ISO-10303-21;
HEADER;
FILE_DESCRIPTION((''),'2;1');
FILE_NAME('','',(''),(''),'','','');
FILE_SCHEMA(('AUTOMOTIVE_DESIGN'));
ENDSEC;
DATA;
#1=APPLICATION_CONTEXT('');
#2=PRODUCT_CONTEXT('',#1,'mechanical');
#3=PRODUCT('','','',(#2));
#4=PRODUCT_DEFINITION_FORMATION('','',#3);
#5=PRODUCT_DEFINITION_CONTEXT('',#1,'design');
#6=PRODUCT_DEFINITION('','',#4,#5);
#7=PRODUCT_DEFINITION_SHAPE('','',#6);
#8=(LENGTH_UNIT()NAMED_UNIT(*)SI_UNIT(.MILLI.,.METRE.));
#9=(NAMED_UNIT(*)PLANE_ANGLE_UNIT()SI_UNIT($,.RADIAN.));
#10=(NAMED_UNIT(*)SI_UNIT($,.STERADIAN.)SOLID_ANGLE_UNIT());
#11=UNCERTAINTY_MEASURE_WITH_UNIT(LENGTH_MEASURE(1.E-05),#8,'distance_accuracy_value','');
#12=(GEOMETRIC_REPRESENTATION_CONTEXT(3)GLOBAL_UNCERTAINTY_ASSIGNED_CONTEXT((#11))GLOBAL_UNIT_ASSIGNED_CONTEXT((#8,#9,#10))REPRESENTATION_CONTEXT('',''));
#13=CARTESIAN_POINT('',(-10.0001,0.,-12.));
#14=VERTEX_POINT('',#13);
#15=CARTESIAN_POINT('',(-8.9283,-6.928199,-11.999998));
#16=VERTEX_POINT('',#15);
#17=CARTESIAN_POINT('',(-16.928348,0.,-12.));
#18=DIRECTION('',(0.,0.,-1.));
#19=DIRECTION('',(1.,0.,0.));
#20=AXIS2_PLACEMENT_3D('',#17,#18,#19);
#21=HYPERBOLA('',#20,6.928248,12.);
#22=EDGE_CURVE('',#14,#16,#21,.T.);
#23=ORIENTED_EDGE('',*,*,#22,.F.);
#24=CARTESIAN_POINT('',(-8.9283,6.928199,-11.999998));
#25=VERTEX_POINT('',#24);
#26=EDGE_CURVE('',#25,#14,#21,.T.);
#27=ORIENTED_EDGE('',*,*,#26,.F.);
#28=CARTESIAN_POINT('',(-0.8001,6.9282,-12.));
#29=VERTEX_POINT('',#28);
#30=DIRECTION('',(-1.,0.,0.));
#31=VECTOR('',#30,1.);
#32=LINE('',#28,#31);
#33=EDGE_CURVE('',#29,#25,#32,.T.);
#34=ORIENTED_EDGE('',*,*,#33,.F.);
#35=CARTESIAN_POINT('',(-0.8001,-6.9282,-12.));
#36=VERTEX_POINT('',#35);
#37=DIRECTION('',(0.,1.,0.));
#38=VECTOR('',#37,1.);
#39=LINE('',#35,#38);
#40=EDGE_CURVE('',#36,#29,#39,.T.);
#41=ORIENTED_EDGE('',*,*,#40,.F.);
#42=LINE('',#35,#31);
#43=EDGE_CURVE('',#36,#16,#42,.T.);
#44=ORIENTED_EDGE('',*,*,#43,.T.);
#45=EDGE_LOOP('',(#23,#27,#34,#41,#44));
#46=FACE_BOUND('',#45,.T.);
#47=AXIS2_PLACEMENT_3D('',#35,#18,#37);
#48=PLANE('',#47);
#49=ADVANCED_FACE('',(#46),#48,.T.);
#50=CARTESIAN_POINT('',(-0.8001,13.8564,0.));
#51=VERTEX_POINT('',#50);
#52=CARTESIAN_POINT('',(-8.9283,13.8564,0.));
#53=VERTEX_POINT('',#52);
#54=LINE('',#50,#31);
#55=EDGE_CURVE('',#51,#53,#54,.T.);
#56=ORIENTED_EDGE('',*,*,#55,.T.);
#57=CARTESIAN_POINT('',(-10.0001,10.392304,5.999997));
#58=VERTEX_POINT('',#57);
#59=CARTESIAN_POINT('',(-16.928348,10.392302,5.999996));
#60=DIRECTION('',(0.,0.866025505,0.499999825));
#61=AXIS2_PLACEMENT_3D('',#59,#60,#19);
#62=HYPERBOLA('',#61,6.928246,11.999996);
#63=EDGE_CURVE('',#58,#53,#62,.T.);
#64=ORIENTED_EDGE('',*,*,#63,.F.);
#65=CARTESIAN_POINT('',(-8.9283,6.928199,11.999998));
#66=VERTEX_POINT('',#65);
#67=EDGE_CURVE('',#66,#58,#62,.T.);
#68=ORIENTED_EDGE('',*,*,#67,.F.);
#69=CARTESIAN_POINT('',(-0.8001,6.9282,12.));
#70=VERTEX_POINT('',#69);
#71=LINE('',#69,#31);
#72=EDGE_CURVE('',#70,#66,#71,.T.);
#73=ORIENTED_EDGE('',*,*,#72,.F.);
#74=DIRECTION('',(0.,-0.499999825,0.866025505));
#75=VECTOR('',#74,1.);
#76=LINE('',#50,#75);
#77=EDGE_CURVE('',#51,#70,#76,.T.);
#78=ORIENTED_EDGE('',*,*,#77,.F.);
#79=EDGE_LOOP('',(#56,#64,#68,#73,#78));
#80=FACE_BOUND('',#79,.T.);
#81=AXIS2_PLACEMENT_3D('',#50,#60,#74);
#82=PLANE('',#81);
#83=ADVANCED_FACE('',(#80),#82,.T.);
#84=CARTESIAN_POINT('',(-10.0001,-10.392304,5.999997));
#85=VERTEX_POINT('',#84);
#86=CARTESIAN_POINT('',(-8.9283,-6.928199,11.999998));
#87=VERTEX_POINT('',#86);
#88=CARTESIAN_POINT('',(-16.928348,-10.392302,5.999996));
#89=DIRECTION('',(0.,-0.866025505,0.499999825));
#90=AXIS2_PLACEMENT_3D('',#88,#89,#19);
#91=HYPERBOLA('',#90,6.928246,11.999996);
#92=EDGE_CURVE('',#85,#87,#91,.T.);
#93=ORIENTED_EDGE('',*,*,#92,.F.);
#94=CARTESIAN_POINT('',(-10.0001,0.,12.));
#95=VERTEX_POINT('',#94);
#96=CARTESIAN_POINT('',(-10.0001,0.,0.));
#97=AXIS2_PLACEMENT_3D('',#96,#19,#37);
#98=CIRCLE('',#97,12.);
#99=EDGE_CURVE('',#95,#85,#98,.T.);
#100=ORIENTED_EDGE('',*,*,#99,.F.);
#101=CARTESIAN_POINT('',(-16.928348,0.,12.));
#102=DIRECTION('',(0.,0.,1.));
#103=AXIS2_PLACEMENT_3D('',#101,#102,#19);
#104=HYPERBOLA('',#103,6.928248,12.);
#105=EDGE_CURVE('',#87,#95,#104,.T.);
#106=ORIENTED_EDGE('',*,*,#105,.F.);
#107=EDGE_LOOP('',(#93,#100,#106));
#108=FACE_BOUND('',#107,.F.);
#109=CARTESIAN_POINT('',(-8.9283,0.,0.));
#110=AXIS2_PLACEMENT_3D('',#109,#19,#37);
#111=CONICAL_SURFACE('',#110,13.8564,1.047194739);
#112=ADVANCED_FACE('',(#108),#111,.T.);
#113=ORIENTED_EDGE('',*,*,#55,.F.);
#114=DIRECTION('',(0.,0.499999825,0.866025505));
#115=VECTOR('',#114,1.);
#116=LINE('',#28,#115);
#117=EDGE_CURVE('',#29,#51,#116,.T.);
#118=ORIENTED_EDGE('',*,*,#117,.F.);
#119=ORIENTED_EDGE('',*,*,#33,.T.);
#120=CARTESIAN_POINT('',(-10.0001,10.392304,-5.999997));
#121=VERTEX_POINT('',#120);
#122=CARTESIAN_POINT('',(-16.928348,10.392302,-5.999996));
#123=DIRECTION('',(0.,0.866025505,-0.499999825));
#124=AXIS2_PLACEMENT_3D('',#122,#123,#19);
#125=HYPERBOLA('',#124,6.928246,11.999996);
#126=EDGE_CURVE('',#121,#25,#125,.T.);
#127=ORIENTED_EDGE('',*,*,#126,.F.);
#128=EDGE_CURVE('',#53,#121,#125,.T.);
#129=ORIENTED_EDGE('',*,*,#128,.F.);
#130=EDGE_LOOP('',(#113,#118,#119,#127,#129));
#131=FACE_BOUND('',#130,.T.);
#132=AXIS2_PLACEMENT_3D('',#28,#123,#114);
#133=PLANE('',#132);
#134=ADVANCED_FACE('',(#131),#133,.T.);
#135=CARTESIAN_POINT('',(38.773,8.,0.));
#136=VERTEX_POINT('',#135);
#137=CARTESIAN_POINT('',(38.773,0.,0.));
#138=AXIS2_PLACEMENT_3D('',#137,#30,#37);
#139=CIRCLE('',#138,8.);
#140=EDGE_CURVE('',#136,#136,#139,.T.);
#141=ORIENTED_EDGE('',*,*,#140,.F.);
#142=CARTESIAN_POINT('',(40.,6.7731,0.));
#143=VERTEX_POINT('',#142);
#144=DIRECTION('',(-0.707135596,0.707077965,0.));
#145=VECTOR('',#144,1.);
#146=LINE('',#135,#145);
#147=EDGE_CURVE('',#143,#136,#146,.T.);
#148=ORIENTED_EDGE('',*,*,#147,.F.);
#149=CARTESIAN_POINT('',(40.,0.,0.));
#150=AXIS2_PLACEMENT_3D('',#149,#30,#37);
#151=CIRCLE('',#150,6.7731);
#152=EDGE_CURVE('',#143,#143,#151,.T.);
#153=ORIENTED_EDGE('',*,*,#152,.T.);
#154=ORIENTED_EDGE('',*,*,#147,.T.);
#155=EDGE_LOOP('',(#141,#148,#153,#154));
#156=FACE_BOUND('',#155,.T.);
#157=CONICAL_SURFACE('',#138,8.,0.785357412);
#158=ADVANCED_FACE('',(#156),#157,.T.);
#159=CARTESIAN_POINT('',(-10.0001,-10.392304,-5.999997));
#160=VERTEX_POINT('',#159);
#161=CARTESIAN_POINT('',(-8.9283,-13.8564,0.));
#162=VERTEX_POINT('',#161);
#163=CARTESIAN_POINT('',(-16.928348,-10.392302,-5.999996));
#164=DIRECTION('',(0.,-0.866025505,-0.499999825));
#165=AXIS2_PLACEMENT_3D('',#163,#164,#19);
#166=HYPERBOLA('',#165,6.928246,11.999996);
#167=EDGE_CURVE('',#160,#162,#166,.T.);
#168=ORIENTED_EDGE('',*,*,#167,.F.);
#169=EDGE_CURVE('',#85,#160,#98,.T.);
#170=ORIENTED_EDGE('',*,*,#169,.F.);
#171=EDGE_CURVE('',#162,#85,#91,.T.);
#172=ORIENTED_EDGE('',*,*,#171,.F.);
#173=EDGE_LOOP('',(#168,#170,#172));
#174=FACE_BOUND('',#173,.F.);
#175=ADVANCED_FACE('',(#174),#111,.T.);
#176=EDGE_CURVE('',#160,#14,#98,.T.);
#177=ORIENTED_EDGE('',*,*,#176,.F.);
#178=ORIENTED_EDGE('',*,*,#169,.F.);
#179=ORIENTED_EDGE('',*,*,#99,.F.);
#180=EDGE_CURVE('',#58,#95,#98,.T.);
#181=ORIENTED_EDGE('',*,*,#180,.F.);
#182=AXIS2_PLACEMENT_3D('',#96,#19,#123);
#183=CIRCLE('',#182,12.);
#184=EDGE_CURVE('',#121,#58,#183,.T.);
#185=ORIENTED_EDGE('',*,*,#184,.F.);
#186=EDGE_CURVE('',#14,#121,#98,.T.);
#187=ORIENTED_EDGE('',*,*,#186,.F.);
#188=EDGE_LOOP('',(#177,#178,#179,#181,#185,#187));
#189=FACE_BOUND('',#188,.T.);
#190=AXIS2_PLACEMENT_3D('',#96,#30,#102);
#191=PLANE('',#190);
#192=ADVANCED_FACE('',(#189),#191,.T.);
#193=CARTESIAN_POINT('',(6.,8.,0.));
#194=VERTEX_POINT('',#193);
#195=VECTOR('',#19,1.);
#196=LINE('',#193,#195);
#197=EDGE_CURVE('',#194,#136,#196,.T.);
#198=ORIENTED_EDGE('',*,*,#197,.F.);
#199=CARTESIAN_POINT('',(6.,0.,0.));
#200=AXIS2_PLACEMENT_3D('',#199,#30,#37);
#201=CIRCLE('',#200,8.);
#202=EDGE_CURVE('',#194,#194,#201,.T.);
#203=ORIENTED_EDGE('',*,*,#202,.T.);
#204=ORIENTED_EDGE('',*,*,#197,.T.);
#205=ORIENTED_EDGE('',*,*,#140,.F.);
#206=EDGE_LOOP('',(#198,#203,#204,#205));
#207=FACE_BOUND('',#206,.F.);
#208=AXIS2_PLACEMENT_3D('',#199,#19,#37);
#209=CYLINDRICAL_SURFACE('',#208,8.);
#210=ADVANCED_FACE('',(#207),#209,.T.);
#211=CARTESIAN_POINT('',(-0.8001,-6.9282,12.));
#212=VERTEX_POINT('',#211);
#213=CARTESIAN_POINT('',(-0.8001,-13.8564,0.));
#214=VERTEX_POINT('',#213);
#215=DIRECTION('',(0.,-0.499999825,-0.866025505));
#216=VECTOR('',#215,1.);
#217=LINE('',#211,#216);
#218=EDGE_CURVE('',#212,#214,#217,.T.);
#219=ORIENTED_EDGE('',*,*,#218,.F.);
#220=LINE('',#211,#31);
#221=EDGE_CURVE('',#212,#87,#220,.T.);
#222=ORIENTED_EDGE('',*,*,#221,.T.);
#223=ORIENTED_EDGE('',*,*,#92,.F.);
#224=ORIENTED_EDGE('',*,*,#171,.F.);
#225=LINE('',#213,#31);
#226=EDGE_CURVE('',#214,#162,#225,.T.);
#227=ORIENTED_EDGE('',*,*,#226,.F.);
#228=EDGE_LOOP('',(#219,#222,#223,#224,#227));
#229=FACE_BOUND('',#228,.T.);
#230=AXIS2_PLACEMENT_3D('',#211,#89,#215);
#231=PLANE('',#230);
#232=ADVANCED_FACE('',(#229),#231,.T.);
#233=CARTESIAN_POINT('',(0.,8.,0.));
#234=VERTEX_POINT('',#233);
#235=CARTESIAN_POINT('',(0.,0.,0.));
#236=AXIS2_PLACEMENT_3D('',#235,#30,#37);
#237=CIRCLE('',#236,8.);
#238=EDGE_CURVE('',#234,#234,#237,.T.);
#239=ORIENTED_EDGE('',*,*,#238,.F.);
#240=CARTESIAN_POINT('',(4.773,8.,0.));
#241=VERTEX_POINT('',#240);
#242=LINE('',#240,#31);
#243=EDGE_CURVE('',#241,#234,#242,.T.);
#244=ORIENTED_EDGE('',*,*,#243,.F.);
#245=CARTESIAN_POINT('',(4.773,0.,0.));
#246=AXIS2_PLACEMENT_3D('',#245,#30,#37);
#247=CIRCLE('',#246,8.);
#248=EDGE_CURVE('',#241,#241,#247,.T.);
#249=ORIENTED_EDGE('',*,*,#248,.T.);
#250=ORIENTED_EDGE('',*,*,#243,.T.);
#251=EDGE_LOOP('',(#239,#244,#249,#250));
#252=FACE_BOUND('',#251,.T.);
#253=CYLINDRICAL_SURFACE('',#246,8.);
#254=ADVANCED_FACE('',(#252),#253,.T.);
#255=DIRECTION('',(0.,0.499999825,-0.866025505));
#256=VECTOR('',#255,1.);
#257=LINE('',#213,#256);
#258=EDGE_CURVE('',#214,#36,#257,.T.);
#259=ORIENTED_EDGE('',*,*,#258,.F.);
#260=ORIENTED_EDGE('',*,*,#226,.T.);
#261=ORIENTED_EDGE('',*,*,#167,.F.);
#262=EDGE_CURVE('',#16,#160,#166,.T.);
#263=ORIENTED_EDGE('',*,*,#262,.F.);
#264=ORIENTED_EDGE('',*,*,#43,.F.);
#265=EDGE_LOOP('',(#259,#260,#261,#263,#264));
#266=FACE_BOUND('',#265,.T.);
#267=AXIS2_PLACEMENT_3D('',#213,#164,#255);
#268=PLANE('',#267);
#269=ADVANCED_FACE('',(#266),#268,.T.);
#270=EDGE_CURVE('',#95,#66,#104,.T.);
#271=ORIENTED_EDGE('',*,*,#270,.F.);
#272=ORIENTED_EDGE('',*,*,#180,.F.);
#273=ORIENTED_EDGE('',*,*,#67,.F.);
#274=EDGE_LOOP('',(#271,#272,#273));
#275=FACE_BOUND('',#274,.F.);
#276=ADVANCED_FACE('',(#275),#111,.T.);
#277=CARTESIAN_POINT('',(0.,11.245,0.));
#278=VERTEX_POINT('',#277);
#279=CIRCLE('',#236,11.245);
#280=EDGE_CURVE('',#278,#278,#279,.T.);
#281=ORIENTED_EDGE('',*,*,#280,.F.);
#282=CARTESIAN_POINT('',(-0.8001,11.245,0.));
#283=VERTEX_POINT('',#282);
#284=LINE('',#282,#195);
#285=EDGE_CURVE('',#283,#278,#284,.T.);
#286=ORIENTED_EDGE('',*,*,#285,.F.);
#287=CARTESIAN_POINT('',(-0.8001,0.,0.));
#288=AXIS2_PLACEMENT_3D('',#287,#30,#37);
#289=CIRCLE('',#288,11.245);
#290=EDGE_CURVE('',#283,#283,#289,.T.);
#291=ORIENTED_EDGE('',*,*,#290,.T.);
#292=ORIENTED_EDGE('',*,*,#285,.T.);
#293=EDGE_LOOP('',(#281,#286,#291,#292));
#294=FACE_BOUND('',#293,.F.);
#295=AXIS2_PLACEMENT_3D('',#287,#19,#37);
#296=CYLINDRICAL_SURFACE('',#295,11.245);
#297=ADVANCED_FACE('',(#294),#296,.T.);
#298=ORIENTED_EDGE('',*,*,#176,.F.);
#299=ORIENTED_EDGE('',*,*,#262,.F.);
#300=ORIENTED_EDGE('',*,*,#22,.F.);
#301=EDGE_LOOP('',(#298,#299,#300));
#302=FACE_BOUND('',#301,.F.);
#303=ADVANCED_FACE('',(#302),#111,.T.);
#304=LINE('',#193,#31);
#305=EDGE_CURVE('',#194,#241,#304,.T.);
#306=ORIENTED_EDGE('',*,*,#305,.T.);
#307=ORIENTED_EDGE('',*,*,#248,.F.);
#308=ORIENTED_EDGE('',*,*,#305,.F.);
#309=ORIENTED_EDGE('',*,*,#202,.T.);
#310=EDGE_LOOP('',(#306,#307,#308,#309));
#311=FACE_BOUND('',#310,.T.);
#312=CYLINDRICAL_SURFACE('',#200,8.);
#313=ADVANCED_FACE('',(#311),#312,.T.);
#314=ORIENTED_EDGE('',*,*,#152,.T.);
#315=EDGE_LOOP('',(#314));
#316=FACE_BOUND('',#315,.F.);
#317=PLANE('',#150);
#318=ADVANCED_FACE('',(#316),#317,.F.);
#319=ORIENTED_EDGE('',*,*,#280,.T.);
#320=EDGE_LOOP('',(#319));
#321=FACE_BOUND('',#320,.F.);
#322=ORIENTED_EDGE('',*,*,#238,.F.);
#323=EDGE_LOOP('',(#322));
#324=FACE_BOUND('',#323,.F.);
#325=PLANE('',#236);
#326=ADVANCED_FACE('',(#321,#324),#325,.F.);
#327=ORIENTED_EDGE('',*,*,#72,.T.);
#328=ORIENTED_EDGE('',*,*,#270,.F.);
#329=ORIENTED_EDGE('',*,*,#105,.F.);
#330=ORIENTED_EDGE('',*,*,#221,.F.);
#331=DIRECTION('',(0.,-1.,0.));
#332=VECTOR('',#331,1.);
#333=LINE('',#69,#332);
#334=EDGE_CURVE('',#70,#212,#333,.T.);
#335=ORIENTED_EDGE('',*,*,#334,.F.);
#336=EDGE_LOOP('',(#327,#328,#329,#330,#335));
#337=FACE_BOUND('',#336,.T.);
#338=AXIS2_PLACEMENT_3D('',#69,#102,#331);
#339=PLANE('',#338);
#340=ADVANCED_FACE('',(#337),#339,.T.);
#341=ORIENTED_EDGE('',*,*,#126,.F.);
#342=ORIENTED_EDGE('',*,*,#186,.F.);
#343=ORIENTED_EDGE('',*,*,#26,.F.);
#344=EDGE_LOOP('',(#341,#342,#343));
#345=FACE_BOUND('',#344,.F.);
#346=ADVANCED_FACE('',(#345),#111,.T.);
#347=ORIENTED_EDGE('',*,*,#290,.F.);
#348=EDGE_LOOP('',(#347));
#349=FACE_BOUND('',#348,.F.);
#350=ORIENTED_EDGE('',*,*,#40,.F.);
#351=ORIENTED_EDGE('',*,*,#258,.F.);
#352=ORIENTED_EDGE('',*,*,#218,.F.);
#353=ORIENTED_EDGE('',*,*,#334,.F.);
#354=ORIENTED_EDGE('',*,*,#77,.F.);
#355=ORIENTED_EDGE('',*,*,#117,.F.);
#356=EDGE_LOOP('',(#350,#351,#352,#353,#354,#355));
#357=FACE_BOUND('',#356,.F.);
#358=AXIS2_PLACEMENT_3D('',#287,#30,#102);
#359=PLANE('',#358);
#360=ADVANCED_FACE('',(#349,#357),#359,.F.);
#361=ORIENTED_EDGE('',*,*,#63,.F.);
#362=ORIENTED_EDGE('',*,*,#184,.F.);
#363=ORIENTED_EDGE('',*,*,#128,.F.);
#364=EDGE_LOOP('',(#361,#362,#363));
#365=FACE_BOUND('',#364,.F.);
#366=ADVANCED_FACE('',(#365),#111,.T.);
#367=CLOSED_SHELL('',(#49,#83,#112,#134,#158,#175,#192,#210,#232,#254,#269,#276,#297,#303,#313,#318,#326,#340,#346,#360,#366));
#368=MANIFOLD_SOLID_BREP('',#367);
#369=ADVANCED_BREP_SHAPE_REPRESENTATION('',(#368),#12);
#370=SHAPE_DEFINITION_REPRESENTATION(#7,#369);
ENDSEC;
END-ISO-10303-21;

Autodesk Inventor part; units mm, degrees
ref_plane "YZ Plane" through (0, 0, 0) normal (1, 0, 0) x (0, 1, 0)
ref_plane "XZ Plane" through (0, 0, 0) normal (0, 1, 0) x (-1, 0, 0)
sketch "Sketch1" plane through (0, 0, 0) normal (0, 0, 1) x (1, 0, 0)
  line L0 (0, 11.245) -> (0, 8)
  line L1 (6, 8) -> (40, 8)
  line L2 (40, 8) -> (40, 0)
  line L3 (40, 0) -> (-0.8001, 0)
  line L4 (-8.9601, 0) -> (48.16, 0) projected
  line L5 (-0.8001, 0) -> (-0.8001, 11.245)
  line L6 (-0.8001, 11.245) -> (0, 11.245)
  line L7 (6, 8) -> (4.773, 8)
  line L8 (4.773, 8) -> (0, 8)
  line L9 (0, -2.249) -> (0, 13.494) projected
  dimension "d0" = 40
  dimension "d1" = 34
  dimension "d2" = 16
  dimension "d9" = 0.8001
  dimension "d10" = 22.49
  dimension "d13" = 1.227
  dimension "d14" = 16
revolve "Body" add sketch "Sketch1" angle 360 about axis through (40, 0, 0) along (-1, 0, 0)
sketch "Sketch2" plane through (-0.8001, 0, 0) normal (-1, 0, 0) x (0, 0, 1)
  line L0 (0, 13.8564) -> (12, 6.9282)
  line L1 (12, 6.9282) -> (12, -6.9282)
  line L2 (12, -6.9282) -> (0, -13.8564)
  line L3 (0, -13.8564) -> (-12, -6.9282)
  line L4 (-12, -6.9282) -> (-12, 6.9282)
  line L5 (-12, 6.9282) -> (0, 13.8564)
  point P0 (0, 0)
  point P1 (0, 0)
  dimension "d11" = 24
extrude "Head" add sketch "Sketch2" along normal blind 9.2
sketch "Sketch4" plane through (0, 0, 0) normal (0, 0, 1) x (1, 0, 0)
  line L0 (-10.0001, 12) -> (-10.0001, 13.8564)
  line L1 (-10.0001, 13.8564) -> (-8.9283, 13.8564)
  line L2 (-8.9283, 13.8564) -> (-10.0001, 12)
  line L3 (-11.8401, 0) -> (1.0399, 0) projected
  line L4 (-0.8001, 13.8564) -> (-10.0001, 13.8564) projected
  line L5 (-10.0001, 6.9282) -> (-10.0001, 13.8564) projected
  dimension "d5" = 30
  dimension "d19" = 24
revolve "Chamfer1" cut sketch "Sketch4" angle 360 about axis through (-10, 0, 0) along (1, 0, 0)
thread "Thread" size "M16x2" class "6g" standard "ISO Metric profile" length 34
chamfer "Chamfer2" distance 1.2269 distance2 1.227 1 edges at (40, -8, 0) measured on face at (40, -0.1598, 1.3157)
ref_plane "Work Plane1" through (1.525, 0, 0) normal (0, 0, 1) x (1, 0, 0)
equation "\"d11\" = SW"
equation "\"d3\" = KOH - SD"
equation "\"d15\" = GEL"
equation "\"d6\" = -0.5 * SPD + 0.5 * GD"
equation "\"d0\" = NLG"
equation "\"d1\" = GEL"
equation "\"d2\" = GD"
equation "\"d10\" = SD2"
equation "\"d14\" = BDM"
equation "\"d5\" = ANG1"
equation "\"d19\" = SW0"
equation "\"NLG\" = 40"
equation "\"GD\" = NND"
equation "\"BDM\" = NND"
equation "\"KOH\" = 10"
equation "\"GEL\" = 34"
equation "\"SW\" = 24"
equation "\"SW0\" = SW"
equation "\"SPD\" = NND - 1.2269 * PTC"
equation "\"SD2\" = 22.49"
equation "\"SD\" = 0.8"
equation "\"ANG1\" = 30deg"
equation "\"GAL\" = 0.61345 * PTC"
equation "\"GUL\" = 0.61345 * PTC"
equation "\"RR\" = 0.6"
equation "\"GD1\" = THREADDIA - 1.2269 * PTC"
equation "\"THREADDIA\" = 16"
equation "\"SDH\" = SD2"
equation "\"SDHG\" = 6"
equation "\"TOA\" = 30deg"
equation "\"PTC\" = 2"
equation "\"NND\" = 16"
equation "\"E0\" = 27.72"
properties part number "ISO 4017 - M16 x 40" material "Stainless Steel, 440C"
